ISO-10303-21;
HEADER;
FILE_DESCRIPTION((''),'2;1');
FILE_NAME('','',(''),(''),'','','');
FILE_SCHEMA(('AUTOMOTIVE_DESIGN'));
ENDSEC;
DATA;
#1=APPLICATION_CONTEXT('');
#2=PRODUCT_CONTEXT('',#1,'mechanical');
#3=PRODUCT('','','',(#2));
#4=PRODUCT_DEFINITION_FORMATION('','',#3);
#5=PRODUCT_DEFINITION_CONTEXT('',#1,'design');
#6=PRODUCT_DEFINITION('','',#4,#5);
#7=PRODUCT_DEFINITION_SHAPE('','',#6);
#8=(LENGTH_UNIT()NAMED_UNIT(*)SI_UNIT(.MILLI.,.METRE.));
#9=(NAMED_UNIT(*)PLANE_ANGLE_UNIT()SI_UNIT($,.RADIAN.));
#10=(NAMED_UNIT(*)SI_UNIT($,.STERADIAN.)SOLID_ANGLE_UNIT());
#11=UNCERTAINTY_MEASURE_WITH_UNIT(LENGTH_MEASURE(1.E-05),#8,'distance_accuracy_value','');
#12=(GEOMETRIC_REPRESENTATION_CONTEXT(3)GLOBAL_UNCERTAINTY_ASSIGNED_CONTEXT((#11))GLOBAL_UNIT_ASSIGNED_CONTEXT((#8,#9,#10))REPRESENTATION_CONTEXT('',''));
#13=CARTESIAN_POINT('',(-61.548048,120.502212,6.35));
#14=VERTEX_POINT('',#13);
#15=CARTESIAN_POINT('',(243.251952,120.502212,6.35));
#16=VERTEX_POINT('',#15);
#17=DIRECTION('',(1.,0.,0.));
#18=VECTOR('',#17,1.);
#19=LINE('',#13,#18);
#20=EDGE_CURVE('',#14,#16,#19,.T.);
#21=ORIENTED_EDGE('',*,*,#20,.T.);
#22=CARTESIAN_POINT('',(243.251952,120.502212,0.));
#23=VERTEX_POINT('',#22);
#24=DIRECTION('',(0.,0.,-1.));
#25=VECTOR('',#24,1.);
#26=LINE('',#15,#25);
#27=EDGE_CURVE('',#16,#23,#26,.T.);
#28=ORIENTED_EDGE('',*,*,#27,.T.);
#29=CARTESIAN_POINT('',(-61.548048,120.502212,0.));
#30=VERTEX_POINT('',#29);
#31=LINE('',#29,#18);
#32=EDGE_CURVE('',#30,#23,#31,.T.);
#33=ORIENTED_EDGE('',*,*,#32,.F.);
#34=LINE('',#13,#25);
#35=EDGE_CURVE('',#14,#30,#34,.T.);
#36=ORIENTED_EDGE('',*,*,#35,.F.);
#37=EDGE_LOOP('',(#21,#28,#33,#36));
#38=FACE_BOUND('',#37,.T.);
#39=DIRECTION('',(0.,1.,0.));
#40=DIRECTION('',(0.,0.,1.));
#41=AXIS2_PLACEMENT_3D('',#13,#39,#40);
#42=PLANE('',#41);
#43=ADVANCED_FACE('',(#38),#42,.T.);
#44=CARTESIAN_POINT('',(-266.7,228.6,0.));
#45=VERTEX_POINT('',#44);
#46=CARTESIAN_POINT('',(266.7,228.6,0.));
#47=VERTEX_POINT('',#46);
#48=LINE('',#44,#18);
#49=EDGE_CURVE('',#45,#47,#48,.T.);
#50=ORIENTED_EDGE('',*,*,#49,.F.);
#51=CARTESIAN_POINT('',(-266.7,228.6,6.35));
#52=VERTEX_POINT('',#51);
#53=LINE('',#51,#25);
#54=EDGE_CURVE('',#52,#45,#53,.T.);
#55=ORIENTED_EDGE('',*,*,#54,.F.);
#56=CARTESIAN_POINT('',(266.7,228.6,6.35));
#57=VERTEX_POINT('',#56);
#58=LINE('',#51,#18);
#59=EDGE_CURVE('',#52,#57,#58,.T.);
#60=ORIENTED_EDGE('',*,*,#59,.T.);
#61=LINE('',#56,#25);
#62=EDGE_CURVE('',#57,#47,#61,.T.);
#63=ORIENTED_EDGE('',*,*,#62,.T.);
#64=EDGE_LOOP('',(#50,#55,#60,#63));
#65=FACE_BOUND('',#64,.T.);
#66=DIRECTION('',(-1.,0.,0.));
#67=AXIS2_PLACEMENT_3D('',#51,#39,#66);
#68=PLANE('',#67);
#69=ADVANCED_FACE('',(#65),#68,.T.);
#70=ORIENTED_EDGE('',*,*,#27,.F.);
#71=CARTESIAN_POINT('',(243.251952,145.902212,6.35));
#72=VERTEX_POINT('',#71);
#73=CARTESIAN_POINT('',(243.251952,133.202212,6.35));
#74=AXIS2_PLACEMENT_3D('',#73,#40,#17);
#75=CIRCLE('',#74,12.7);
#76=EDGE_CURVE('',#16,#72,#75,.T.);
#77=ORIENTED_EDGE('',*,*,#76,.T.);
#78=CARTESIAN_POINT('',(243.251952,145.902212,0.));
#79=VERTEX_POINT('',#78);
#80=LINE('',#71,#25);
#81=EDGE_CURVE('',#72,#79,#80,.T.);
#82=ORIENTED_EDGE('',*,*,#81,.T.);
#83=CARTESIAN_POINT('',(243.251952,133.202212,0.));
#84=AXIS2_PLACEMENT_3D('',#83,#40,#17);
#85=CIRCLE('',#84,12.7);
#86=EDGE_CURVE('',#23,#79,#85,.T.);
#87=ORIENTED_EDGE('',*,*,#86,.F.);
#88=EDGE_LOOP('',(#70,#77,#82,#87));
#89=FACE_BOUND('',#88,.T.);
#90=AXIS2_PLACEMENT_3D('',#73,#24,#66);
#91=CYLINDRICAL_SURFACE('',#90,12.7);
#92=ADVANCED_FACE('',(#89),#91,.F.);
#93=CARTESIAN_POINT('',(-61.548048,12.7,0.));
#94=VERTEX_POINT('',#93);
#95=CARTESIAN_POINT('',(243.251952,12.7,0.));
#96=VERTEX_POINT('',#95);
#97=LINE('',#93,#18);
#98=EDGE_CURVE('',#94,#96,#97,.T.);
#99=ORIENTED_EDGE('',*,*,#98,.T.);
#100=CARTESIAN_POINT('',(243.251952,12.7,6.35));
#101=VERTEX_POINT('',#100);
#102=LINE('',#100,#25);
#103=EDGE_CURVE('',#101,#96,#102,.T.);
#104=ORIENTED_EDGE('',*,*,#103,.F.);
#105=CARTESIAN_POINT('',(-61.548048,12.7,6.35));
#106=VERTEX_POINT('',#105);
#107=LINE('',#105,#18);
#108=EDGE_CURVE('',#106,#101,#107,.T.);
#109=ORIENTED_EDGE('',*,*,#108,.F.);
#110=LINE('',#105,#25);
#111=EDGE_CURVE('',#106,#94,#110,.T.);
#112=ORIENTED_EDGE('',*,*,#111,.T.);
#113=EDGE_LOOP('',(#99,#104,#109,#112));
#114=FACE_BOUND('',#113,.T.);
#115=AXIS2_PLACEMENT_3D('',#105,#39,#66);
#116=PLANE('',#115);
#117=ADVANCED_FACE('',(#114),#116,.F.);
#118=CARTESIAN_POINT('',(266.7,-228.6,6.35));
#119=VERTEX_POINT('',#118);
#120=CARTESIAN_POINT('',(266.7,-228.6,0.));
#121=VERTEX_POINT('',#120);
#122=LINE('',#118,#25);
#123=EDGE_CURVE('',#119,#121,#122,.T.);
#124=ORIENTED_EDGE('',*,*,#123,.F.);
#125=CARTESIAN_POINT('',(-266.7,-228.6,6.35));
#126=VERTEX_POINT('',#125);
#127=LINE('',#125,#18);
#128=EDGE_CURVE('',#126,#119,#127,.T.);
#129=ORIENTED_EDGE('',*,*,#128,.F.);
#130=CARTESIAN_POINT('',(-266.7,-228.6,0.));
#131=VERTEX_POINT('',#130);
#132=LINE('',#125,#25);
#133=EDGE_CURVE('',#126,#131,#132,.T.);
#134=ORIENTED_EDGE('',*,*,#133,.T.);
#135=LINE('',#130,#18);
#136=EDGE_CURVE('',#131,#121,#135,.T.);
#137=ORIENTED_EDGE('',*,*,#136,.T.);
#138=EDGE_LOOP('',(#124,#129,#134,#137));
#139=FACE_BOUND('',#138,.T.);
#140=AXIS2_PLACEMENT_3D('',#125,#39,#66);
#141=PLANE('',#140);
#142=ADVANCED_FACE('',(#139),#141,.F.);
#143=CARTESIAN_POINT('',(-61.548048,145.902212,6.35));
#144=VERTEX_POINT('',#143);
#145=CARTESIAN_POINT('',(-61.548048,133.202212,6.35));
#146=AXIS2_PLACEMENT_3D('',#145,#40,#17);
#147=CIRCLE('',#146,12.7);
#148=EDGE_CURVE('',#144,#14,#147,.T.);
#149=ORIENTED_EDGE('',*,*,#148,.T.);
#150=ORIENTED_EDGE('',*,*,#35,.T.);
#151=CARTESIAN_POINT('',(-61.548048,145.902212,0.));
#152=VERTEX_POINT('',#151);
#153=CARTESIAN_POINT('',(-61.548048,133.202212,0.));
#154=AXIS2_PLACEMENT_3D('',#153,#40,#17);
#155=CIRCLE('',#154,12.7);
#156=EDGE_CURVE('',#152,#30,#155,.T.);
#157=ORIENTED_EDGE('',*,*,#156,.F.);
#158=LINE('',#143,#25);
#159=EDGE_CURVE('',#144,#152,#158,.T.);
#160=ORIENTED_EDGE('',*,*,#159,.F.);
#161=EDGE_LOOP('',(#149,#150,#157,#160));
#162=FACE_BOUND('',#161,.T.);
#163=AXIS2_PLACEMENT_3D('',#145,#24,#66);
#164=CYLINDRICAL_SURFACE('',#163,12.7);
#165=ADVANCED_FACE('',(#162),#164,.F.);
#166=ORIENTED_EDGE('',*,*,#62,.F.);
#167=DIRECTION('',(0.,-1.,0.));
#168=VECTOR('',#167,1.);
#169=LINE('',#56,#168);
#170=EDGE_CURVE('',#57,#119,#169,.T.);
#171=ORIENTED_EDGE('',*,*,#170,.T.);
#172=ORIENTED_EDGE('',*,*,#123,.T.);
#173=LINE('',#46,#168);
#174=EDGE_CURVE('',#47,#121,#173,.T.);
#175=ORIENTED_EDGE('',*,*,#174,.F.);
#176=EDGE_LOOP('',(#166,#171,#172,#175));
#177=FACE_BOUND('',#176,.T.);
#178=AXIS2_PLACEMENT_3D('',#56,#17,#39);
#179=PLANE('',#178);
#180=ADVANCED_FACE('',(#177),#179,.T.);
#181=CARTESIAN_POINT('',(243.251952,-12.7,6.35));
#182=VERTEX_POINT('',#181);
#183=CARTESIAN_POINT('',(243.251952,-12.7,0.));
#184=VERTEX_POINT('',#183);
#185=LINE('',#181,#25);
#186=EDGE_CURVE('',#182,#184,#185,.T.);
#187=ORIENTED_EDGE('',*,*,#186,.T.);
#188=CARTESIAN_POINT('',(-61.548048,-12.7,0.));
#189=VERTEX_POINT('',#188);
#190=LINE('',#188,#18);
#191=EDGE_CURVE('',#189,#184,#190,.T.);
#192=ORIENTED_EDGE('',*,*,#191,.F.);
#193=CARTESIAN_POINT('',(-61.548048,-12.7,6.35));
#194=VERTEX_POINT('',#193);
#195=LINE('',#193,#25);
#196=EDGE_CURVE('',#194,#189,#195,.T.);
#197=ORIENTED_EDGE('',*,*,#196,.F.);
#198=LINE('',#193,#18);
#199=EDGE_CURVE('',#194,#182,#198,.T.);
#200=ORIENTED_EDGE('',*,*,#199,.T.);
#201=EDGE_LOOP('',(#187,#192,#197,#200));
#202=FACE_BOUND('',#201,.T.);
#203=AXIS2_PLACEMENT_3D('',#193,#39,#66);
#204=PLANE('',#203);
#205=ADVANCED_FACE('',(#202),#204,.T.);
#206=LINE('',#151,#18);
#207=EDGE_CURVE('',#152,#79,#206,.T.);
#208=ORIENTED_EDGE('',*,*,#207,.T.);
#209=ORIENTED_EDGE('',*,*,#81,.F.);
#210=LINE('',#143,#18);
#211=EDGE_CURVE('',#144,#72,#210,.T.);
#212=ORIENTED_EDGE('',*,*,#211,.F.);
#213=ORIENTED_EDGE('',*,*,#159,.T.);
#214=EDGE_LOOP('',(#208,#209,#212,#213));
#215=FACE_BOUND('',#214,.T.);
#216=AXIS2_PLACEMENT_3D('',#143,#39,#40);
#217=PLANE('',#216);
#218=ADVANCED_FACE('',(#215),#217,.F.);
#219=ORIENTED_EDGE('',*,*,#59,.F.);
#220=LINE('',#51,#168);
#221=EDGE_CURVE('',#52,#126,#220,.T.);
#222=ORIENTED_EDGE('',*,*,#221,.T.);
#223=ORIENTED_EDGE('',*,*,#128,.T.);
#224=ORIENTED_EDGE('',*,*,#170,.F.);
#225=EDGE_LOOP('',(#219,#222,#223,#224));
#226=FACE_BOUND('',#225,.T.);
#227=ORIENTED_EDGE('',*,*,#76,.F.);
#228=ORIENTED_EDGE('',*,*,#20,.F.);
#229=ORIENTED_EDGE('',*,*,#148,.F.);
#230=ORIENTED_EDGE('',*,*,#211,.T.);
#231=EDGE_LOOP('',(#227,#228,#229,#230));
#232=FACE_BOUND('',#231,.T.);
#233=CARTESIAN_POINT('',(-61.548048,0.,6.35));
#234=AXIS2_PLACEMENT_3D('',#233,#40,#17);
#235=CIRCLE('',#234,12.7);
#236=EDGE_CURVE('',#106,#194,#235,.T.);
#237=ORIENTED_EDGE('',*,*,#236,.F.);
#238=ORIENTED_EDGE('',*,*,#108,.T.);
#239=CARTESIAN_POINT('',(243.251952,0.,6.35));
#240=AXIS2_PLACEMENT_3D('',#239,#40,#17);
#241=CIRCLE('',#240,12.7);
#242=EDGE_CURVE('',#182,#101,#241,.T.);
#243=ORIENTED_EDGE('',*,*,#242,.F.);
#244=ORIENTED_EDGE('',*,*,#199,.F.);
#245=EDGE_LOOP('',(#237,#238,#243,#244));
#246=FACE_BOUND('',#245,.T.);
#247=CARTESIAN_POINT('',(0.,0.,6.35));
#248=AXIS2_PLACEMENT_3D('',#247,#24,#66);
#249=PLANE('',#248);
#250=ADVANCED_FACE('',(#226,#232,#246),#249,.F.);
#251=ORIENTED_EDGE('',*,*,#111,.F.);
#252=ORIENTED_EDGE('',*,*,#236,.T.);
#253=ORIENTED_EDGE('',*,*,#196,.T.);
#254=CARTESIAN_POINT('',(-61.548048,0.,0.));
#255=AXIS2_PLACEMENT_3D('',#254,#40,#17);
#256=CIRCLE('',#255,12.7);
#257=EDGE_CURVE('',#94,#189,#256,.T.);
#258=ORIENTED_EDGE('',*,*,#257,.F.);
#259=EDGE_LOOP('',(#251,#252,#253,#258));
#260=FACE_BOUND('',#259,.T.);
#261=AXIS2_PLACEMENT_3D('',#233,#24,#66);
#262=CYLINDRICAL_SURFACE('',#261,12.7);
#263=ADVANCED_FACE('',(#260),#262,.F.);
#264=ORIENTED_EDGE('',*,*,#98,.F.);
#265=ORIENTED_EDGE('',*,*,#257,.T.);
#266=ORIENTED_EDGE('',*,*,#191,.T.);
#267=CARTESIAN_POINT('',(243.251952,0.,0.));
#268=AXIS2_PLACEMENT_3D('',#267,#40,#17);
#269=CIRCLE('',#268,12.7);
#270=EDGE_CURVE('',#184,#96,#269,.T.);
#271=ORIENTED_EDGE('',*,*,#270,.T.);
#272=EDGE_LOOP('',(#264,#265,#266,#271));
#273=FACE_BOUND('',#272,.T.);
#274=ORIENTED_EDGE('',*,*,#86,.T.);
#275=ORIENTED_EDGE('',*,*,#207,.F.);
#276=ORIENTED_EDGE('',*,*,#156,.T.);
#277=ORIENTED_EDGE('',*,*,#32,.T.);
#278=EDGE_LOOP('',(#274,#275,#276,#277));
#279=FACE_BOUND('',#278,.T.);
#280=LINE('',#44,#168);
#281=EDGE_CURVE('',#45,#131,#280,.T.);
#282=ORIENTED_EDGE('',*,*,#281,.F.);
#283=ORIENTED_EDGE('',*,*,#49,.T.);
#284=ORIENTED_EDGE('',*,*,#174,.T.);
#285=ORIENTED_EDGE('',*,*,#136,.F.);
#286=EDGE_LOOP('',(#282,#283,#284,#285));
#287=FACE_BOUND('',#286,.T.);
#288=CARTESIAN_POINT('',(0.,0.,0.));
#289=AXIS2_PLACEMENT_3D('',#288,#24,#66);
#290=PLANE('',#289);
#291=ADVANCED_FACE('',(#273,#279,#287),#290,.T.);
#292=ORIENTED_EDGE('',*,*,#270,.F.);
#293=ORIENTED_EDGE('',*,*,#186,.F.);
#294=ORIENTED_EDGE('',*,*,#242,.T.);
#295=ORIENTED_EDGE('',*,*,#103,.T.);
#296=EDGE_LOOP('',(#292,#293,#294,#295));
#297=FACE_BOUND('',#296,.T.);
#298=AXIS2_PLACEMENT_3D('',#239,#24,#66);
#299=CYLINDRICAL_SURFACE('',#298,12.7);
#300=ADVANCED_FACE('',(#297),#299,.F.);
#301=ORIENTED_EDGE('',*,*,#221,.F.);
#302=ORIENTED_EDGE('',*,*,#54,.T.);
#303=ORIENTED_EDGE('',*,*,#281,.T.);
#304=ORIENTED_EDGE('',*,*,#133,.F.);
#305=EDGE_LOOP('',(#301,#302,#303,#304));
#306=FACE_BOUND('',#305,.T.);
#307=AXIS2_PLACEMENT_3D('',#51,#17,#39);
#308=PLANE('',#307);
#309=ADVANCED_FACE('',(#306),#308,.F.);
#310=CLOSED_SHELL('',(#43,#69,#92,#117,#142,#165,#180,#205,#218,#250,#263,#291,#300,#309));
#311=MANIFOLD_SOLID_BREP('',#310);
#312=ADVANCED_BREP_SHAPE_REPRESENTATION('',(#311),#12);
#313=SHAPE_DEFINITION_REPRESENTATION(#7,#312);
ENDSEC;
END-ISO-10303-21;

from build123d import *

# Parameters (mm, degrees)
SKETCH1_W           = 533.4
SKETCH1_H           = 457.2
BOSS_EXTRUDE4_DEPTH = 6.35


with BuildPart() as part:
    # Sketch1 → Boss-Extrude4 (new body)
    with BuildSketch(Plane.XY):
        Rectangle(SKETCH1_W, SKETCH1_H)
        with BuildLine():
            Line((-61.54804751, 145.902211593), (243.25195249, 145.902211593))
            ThreePointArc((243.25195249, 145.902211593), (255.95195249, 133.202211593), (243.25195249, 120.502211593))
            Line((243.25195249, 120.502211593), (-61.54804751, 120.502211593))
            ThreePointArc((-61.54804751, 120.502211593), (-74.24804751, 133.202211593), (-61.54804751, 145.902211593))
        make_face(mode=Mode.SUBTRACT)
        with BuildLine():
            Line((-61.54804751, 12.7), (243.25195249, 12.7))
            ThreePointArc((243.25195249, 12.7), (255.95195249, 0), (243.25195249, -12.7))
            Line((243.25195249, -12.7), (-61.54804751, -12.7))
            ThreePointArc((-61.54804751, -12.7), (-74.24804751, 0), (-61.54804751, 12.7))
        make_face(mode=Mode.SUBTRACT)
    extrude(amount=BOSS_EXTRUDE4_DEPTH)


solid = part.part
